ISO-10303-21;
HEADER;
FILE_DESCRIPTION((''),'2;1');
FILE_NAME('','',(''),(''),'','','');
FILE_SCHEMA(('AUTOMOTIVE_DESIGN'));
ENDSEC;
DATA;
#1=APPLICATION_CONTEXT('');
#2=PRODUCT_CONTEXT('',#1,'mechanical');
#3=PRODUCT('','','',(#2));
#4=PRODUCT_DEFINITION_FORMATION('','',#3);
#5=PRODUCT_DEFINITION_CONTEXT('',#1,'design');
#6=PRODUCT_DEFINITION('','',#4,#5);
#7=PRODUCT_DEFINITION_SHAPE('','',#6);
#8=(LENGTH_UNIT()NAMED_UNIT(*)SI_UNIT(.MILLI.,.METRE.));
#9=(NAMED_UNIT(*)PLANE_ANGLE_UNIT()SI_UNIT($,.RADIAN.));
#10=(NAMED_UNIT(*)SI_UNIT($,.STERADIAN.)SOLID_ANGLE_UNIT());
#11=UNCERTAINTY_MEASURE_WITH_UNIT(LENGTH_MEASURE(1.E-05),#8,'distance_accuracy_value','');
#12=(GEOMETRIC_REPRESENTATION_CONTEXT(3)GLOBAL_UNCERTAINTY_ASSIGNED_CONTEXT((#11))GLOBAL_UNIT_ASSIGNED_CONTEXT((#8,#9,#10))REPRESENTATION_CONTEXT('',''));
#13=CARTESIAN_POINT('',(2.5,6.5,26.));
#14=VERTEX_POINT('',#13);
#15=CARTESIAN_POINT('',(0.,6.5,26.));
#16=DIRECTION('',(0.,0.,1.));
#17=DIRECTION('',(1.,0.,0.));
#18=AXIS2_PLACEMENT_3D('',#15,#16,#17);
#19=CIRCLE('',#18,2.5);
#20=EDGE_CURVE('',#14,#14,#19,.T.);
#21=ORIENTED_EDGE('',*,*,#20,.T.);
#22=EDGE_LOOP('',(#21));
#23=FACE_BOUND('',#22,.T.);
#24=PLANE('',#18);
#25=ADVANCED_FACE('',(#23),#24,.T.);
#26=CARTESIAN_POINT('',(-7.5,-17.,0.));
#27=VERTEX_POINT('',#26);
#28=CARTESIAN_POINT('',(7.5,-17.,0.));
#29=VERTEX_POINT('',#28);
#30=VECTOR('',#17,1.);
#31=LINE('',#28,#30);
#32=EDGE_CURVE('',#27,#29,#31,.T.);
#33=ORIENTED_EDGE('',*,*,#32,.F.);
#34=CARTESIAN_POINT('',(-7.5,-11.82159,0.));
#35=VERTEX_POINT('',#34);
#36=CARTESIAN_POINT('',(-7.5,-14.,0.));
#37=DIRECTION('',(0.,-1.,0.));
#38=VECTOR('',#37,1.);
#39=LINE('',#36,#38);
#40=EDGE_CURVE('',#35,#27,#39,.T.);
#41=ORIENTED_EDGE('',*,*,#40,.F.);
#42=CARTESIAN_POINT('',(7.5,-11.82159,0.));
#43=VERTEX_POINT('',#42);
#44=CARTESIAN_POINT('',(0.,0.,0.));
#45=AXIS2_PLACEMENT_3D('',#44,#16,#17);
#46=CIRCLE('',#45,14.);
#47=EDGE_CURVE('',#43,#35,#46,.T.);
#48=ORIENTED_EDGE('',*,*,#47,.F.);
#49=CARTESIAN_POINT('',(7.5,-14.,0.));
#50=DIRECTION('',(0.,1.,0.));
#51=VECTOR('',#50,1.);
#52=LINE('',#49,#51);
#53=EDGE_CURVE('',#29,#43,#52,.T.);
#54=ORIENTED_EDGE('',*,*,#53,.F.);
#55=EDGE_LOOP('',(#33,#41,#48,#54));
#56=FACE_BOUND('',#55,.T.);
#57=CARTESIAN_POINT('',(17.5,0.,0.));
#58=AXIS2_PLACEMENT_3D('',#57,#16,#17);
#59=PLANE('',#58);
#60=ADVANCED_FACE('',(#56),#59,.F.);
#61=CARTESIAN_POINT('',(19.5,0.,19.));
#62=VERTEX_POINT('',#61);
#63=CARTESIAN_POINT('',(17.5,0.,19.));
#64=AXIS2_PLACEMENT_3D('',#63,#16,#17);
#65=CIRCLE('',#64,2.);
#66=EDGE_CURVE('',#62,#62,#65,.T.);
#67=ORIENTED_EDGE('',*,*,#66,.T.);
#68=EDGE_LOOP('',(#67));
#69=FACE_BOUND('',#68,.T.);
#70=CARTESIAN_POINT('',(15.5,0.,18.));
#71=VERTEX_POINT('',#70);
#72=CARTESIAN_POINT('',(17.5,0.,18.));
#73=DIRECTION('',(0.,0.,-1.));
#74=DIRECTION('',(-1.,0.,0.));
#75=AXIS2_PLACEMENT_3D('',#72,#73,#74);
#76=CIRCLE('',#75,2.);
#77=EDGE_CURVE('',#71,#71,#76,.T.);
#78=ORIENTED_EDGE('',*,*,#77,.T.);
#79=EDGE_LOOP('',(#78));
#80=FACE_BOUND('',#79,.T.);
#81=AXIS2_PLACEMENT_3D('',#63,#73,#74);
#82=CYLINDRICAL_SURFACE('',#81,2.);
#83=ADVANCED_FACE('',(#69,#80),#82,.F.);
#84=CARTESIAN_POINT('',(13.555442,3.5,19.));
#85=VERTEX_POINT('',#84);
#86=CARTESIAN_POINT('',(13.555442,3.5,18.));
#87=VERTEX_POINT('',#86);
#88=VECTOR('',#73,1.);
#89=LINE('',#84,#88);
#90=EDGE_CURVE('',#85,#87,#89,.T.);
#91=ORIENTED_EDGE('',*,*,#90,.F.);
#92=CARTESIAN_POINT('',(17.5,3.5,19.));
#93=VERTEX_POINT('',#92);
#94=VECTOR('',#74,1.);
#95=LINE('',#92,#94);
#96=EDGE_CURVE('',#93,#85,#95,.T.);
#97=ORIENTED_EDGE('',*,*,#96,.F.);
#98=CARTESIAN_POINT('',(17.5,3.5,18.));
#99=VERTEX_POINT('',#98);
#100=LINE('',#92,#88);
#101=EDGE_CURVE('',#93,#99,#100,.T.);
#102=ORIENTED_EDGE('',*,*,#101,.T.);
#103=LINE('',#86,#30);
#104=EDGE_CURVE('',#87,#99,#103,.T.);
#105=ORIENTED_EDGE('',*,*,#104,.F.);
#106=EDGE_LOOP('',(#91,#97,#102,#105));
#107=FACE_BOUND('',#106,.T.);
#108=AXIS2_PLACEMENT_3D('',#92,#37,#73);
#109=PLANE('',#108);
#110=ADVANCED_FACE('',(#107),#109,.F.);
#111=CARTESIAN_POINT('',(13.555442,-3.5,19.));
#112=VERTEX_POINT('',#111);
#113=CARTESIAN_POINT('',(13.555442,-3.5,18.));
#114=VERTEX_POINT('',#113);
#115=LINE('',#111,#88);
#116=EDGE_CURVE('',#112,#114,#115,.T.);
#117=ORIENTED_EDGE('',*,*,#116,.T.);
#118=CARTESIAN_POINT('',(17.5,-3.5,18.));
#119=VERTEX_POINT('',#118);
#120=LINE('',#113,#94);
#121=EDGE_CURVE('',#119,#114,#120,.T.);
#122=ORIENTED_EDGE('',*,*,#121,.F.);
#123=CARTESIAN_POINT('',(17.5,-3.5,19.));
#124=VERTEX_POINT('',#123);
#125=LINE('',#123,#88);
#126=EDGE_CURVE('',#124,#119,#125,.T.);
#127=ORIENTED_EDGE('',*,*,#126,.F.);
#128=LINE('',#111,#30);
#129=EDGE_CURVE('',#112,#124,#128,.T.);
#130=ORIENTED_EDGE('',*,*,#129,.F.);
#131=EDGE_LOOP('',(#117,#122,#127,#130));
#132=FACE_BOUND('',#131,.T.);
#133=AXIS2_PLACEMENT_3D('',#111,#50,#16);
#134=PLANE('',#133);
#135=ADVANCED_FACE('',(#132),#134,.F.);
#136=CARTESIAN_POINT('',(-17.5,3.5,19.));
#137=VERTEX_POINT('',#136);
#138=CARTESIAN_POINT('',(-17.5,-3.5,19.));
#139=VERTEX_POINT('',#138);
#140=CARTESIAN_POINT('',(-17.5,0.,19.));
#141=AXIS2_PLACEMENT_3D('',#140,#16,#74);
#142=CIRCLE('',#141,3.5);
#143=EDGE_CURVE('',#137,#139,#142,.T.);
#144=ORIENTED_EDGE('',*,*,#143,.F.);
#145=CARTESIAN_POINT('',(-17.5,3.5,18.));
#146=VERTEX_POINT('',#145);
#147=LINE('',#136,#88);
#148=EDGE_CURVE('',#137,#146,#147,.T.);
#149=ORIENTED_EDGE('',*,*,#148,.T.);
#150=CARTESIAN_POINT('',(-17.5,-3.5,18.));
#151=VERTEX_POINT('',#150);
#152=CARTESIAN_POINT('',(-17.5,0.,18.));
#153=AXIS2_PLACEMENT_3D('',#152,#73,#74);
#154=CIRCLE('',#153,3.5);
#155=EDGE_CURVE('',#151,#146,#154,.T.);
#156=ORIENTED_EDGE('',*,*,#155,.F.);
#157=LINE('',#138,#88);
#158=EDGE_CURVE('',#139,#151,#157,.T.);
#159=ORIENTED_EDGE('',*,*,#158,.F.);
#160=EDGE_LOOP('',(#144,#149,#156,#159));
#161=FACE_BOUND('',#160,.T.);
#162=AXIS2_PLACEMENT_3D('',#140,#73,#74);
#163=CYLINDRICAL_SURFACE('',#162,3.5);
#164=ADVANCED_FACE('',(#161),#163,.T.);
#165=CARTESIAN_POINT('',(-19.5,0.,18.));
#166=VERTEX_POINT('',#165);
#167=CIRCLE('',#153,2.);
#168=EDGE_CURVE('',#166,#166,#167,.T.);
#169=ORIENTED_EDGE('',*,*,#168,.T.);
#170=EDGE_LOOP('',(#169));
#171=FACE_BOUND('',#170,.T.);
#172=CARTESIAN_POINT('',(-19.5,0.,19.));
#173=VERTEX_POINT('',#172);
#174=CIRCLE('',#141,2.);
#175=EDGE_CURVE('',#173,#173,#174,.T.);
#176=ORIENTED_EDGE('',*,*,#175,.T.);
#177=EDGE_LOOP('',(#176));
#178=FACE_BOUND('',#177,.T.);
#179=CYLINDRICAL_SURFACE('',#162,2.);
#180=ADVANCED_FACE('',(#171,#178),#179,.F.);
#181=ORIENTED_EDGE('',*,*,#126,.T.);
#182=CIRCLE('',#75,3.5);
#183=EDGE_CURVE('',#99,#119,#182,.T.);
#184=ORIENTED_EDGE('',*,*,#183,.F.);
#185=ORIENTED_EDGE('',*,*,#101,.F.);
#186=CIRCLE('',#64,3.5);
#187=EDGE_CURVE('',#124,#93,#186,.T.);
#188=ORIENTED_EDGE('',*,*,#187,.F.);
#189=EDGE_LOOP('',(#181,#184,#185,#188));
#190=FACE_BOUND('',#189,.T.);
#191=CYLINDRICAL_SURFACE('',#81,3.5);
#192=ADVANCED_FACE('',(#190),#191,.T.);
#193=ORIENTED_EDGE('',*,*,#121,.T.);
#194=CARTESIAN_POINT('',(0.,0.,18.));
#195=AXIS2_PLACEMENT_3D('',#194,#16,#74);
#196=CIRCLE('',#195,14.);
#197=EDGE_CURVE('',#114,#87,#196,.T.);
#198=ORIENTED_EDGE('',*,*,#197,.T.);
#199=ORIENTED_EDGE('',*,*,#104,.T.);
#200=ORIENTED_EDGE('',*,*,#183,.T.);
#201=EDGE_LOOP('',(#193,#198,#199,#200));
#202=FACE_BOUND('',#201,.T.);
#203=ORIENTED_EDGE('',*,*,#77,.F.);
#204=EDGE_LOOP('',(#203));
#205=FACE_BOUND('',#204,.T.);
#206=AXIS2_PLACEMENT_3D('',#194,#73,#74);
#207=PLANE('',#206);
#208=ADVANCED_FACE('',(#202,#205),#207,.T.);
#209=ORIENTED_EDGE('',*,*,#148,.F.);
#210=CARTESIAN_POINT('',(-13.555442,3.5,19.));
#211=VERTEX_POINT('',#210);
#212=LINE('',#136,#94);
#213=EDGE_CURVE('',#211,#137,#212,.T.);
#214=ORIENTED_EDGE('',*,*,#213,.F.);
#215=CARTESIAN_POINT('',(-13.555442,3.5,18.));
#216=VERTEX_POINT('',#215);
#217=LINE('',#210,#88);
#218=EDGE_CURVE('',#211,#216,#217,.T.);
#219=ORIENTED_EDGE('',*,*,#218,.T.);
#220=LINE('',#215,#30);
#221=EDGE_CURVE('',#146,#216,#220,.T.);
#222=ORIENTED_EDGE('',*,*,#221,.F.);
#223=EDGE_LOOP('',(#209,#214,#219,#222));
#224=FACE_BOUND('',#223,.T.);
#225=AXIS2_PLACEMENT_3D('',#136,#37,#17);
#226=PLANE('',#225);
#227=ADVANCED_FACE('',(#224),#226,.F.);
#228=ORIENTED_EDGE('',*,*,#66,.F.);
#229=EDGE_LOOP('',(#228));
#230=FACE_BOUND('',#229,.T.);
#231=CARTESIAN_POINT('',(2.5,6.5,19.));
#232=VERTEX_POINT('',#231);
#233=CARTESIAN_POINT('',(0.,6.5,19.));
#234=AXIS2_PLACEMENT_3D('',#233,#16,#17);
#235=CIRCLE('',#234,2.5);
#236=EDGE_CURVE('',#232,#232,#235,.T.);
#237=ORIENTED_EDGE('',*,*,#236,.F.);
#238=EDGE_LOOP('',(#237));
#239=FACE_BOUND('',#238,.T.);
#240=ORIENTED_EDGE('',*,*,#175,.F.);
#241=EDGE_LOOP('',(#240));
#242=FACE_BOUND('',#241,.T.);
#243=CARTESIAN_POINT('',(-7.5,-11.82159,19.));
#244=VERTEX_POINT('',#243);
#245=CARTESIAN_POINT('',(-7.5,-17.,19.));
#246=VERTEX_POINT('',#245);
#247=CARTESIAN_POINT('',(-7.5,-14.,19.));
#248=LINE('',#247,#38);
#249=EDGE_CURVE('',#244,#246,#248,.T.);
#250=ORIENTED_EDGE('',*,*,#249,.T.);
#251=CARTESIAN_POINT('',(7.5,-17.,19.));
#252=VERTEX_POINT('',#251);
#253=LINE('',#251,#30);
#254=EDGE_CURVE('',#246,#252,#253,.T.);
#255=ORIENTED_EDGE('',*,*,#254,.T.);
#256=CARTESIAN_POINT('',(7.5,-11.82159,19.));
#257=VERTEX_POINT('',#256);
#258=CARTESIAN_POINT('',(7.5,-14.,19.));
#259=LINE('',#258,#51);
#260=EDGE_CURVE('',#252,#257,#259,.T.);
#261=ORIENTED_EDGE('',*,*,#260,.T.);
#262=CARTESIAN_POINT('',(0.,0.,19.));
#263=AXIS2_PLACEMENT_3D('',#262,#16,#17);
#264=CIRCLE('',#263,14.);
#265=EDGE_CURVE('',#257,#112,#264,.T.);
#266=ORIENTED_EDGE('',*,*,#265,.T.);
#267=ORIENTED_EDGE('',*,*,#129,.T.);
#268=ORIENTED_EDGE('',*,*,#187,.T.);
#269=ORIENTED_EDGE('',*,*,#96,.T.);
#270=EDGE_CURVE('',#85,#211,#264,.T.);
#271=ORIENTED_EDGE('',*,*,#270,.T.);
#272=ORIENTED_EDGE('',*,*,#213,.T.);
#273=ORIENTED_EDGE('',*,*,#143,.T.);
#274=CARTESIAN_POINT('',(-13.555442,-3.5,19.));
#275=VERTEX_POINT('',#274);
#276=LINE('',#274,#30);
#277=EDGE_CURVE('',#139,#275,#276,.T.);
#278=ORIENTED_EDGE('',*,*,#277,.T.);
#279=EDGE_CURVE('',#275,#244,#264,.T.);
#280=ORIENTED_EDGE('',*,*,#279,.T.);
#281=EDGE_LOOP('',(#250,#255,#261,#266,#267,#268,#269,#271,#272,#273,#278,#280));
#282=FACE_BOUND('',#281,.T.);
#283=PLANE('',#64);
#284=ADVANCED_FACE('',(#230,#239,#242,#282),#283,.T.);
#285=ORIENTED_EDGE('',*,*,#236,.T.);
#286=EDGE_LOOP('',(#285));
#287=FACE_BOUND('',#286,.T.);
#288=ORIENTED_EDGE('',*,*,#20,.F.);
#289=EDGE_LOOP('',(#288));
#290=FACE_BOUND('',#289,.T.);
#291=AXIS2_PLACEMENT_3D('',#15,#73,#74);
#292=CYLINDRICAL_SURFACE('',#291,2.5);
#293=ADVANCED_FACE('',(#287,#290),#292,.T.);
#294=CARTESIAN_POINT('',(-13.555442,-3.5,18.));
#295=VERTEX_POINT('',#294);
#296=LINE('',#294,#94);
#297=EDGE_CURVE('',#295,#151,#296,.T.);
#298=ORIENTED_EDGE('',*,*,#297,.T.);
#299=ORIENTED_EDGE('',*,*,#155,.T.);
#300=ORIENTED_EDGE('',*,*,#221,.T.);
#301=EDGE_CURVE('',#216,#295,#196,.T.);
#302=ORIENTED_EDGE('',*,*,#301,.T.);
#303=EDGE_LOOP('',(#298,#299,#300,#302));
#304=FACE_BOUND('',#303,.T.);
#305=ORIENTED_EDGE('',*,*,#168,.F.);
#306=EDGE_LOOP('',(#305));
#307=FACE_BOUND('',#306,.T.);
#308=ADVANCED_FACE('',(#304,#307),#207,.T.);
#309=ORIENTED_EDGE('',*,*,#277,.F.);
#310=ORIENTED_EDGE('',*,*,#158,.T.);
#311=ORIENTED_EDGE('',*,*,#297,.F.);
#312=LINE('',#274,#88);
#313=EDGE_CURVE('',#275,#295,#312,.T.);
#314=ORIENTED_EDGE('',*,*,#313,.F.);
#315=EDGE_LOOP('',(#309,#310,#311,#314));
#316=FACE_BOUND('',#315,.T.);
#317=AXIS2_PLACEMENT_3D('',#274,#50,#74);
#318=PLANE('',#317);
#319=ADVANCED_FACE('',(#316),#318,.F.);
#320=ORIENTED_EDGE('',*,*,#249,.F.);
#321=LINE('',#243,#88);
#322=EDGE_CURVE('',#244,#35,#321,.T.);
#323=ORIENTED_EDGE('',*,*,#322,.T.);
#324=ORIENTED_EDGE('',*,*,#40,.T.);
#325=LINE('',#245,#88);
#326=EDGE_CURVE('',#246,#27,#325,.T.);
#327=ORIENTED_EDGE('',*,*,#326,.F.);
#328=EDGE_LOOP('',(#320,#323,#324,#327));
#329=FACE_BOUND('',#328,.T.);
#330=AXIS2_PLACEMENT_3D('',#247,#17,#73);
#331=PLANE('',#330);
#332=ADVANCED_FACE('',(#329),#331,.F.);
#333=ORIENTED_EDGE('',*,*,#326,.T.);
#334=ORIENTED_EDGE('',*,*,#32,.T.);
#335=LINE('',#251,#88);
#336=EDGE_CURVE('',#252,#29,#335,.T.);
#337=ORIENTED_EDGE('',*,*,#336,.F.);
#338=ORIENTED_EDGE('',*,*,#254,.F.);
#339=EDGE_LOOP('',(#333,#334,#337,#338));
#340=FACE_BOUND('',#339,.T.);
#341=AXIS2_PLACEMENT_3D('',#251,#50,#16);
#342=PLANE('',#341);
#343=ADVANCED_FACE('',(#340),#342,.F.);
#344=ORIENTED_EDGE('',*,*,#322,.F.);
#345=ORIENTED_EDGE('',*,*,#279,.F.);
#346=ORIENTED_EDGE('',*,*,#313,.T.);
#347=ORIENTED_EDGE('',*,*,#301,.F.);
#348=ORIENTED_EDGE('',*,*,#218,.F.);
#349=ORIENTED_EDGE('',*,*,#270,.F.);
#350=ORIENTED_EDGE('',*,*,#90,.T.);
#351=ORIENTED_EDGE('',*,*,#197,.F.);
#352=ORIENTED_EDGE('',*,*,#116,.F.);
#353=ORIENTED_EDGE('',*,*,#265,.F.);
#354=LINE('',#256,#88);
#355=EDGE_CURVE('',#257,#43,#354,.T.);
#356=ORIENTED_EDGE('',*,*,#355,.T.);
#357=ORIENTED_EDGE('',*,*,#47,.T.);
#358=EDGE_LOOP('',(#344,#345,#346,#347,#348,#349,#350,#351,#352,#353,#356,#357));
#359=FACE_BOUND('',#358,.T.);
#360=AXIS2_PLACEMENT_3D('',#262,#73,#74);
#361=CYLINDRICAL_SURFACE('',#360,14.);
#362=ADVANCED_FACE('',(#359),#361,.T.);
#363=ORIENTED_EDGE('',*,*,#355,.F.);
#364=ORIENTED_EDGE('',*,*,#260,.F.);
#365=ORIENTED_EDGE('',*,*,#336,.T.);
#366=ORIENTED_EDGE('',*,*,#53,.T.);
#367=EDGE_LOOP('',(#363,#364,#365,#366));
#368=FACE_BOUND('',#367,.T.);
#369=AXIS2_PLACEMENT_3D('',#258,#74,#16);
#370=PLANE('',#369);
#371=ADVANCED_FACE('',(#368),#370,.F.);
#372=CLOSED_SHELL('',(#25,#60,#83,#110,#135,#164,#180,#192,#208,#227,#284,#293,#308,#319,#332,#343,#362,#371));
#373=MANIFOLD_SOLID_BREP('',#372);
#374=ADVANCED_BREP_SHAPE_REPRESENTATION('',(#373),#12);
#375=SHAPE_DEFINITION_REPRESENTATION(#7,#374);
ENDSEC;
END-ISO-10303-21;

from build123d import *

# Parameters (mm, degrees)
ESBO_O1_R                = 2
RESSALTO_EXTRUS_O1_DEPTH = 19
CORTE_EXTRUS_O1_DEPTH    = 18
ESBO_O3_R                = 2.5
RESSALTO_EXTRUS_O2_DEPTH = 7


with BuildPart() as part:
    # Esboço1 → Ressalto-extrusão1 (new body)
    with BuildSketch(Plane.XY):
        with BuildLine():
            Line((17.5, 3.5), (13.555441712, 3.5))
            ThreePointArc((13.555441712, 3.5), (0, 14), (-13.555441712, 3.5))
            Line((-13.555441712, 3.5), (-17.5, 3.5))
            ThreePointArc((-17.5, 3.5), (-21, 0), (-17.5, -3.5))
            Line((-17.5, -3.5), (-13.555441712, -3.5))
            ThreePointArc((-13.555441712, -3.5), (-11.320120282, -8.237407166), (-7.5, -11.821590418))
            Line((-7.5, -11.821590418), (-7.5, -14))
            Line((-7.5, -14), (-7.5, -17))
            Line((-7.5, -17), (7.5, -17))
            Line((7.5, -17), (7.5, -14))
            Line((7.5, -14), (7.5, -11.821590418))
            ThreePointArc((7.5, -11.821590418), (11.320120282, -8.237407166), (13.555441712, -3.5))
            Line((13.555441712, -3.5), (17.5, -3.5))
            ThreePointArc((17.5, -3.5), (21, 0), (17.5, 3.5))
        make_face()
        with Locations((17.5, 0)):
            Circle(ESBO_O1_R, mode=Mode.SUBTRACT)
        with Locations((-17.5, 0)):
            Circle(ESBO_O1_R, mode=Mode.SUBTRACT)
    extrude(amount=RESSALTO_EXTRUS_O1_DEPTH)

    # Esboço2 → Corte-extrusão1 (cut)
    with BuildSketch(Plane(origin=(0, 0, 0), x_dir=(-1, 0, 0), z_dir=(0, 0, -1))):
        with BuildLine():
            Line((13.555441712, 3.5), (23.80699558, 3.5))
            Line((23.80699558, 3.5), (23.80699558, -3.5))
            Line((23.80699558, -3.5), (13.555441712, -3.5))
            ThreePointArc((13.555441712, -3.5), (14, 0), (13.555441712, 3.5))
        make_face()
        with BuildLine():
            Line((-13.555441712, 3.5), (-24.760546325, 3.5))
            Line((-24.760546325, 3.5), (-24.760546325, -3.5))
            Line((-24.760546325, -3.5), (-13.555441712, -3.5))
            ThreePointArc((-13.555441712, -3.5), (-14, 0), (-13.555441712, 3.5))
        make_face()
    extrude(amount=-CORTE_EXTRUS_O1_DEPTH, mode=Mode.SUBTRACT)

    # Esboço3 → Ressalto-extrusão2 (add)
    with BuildSketch(Plane.XY.offset(19)):
        with Locations((0, 6.5)):
            Circle(ESBO_O3_R)
    extrude(amount=RESSALTO_EXTRUS_O2_DEPTH)


solid = part.part
